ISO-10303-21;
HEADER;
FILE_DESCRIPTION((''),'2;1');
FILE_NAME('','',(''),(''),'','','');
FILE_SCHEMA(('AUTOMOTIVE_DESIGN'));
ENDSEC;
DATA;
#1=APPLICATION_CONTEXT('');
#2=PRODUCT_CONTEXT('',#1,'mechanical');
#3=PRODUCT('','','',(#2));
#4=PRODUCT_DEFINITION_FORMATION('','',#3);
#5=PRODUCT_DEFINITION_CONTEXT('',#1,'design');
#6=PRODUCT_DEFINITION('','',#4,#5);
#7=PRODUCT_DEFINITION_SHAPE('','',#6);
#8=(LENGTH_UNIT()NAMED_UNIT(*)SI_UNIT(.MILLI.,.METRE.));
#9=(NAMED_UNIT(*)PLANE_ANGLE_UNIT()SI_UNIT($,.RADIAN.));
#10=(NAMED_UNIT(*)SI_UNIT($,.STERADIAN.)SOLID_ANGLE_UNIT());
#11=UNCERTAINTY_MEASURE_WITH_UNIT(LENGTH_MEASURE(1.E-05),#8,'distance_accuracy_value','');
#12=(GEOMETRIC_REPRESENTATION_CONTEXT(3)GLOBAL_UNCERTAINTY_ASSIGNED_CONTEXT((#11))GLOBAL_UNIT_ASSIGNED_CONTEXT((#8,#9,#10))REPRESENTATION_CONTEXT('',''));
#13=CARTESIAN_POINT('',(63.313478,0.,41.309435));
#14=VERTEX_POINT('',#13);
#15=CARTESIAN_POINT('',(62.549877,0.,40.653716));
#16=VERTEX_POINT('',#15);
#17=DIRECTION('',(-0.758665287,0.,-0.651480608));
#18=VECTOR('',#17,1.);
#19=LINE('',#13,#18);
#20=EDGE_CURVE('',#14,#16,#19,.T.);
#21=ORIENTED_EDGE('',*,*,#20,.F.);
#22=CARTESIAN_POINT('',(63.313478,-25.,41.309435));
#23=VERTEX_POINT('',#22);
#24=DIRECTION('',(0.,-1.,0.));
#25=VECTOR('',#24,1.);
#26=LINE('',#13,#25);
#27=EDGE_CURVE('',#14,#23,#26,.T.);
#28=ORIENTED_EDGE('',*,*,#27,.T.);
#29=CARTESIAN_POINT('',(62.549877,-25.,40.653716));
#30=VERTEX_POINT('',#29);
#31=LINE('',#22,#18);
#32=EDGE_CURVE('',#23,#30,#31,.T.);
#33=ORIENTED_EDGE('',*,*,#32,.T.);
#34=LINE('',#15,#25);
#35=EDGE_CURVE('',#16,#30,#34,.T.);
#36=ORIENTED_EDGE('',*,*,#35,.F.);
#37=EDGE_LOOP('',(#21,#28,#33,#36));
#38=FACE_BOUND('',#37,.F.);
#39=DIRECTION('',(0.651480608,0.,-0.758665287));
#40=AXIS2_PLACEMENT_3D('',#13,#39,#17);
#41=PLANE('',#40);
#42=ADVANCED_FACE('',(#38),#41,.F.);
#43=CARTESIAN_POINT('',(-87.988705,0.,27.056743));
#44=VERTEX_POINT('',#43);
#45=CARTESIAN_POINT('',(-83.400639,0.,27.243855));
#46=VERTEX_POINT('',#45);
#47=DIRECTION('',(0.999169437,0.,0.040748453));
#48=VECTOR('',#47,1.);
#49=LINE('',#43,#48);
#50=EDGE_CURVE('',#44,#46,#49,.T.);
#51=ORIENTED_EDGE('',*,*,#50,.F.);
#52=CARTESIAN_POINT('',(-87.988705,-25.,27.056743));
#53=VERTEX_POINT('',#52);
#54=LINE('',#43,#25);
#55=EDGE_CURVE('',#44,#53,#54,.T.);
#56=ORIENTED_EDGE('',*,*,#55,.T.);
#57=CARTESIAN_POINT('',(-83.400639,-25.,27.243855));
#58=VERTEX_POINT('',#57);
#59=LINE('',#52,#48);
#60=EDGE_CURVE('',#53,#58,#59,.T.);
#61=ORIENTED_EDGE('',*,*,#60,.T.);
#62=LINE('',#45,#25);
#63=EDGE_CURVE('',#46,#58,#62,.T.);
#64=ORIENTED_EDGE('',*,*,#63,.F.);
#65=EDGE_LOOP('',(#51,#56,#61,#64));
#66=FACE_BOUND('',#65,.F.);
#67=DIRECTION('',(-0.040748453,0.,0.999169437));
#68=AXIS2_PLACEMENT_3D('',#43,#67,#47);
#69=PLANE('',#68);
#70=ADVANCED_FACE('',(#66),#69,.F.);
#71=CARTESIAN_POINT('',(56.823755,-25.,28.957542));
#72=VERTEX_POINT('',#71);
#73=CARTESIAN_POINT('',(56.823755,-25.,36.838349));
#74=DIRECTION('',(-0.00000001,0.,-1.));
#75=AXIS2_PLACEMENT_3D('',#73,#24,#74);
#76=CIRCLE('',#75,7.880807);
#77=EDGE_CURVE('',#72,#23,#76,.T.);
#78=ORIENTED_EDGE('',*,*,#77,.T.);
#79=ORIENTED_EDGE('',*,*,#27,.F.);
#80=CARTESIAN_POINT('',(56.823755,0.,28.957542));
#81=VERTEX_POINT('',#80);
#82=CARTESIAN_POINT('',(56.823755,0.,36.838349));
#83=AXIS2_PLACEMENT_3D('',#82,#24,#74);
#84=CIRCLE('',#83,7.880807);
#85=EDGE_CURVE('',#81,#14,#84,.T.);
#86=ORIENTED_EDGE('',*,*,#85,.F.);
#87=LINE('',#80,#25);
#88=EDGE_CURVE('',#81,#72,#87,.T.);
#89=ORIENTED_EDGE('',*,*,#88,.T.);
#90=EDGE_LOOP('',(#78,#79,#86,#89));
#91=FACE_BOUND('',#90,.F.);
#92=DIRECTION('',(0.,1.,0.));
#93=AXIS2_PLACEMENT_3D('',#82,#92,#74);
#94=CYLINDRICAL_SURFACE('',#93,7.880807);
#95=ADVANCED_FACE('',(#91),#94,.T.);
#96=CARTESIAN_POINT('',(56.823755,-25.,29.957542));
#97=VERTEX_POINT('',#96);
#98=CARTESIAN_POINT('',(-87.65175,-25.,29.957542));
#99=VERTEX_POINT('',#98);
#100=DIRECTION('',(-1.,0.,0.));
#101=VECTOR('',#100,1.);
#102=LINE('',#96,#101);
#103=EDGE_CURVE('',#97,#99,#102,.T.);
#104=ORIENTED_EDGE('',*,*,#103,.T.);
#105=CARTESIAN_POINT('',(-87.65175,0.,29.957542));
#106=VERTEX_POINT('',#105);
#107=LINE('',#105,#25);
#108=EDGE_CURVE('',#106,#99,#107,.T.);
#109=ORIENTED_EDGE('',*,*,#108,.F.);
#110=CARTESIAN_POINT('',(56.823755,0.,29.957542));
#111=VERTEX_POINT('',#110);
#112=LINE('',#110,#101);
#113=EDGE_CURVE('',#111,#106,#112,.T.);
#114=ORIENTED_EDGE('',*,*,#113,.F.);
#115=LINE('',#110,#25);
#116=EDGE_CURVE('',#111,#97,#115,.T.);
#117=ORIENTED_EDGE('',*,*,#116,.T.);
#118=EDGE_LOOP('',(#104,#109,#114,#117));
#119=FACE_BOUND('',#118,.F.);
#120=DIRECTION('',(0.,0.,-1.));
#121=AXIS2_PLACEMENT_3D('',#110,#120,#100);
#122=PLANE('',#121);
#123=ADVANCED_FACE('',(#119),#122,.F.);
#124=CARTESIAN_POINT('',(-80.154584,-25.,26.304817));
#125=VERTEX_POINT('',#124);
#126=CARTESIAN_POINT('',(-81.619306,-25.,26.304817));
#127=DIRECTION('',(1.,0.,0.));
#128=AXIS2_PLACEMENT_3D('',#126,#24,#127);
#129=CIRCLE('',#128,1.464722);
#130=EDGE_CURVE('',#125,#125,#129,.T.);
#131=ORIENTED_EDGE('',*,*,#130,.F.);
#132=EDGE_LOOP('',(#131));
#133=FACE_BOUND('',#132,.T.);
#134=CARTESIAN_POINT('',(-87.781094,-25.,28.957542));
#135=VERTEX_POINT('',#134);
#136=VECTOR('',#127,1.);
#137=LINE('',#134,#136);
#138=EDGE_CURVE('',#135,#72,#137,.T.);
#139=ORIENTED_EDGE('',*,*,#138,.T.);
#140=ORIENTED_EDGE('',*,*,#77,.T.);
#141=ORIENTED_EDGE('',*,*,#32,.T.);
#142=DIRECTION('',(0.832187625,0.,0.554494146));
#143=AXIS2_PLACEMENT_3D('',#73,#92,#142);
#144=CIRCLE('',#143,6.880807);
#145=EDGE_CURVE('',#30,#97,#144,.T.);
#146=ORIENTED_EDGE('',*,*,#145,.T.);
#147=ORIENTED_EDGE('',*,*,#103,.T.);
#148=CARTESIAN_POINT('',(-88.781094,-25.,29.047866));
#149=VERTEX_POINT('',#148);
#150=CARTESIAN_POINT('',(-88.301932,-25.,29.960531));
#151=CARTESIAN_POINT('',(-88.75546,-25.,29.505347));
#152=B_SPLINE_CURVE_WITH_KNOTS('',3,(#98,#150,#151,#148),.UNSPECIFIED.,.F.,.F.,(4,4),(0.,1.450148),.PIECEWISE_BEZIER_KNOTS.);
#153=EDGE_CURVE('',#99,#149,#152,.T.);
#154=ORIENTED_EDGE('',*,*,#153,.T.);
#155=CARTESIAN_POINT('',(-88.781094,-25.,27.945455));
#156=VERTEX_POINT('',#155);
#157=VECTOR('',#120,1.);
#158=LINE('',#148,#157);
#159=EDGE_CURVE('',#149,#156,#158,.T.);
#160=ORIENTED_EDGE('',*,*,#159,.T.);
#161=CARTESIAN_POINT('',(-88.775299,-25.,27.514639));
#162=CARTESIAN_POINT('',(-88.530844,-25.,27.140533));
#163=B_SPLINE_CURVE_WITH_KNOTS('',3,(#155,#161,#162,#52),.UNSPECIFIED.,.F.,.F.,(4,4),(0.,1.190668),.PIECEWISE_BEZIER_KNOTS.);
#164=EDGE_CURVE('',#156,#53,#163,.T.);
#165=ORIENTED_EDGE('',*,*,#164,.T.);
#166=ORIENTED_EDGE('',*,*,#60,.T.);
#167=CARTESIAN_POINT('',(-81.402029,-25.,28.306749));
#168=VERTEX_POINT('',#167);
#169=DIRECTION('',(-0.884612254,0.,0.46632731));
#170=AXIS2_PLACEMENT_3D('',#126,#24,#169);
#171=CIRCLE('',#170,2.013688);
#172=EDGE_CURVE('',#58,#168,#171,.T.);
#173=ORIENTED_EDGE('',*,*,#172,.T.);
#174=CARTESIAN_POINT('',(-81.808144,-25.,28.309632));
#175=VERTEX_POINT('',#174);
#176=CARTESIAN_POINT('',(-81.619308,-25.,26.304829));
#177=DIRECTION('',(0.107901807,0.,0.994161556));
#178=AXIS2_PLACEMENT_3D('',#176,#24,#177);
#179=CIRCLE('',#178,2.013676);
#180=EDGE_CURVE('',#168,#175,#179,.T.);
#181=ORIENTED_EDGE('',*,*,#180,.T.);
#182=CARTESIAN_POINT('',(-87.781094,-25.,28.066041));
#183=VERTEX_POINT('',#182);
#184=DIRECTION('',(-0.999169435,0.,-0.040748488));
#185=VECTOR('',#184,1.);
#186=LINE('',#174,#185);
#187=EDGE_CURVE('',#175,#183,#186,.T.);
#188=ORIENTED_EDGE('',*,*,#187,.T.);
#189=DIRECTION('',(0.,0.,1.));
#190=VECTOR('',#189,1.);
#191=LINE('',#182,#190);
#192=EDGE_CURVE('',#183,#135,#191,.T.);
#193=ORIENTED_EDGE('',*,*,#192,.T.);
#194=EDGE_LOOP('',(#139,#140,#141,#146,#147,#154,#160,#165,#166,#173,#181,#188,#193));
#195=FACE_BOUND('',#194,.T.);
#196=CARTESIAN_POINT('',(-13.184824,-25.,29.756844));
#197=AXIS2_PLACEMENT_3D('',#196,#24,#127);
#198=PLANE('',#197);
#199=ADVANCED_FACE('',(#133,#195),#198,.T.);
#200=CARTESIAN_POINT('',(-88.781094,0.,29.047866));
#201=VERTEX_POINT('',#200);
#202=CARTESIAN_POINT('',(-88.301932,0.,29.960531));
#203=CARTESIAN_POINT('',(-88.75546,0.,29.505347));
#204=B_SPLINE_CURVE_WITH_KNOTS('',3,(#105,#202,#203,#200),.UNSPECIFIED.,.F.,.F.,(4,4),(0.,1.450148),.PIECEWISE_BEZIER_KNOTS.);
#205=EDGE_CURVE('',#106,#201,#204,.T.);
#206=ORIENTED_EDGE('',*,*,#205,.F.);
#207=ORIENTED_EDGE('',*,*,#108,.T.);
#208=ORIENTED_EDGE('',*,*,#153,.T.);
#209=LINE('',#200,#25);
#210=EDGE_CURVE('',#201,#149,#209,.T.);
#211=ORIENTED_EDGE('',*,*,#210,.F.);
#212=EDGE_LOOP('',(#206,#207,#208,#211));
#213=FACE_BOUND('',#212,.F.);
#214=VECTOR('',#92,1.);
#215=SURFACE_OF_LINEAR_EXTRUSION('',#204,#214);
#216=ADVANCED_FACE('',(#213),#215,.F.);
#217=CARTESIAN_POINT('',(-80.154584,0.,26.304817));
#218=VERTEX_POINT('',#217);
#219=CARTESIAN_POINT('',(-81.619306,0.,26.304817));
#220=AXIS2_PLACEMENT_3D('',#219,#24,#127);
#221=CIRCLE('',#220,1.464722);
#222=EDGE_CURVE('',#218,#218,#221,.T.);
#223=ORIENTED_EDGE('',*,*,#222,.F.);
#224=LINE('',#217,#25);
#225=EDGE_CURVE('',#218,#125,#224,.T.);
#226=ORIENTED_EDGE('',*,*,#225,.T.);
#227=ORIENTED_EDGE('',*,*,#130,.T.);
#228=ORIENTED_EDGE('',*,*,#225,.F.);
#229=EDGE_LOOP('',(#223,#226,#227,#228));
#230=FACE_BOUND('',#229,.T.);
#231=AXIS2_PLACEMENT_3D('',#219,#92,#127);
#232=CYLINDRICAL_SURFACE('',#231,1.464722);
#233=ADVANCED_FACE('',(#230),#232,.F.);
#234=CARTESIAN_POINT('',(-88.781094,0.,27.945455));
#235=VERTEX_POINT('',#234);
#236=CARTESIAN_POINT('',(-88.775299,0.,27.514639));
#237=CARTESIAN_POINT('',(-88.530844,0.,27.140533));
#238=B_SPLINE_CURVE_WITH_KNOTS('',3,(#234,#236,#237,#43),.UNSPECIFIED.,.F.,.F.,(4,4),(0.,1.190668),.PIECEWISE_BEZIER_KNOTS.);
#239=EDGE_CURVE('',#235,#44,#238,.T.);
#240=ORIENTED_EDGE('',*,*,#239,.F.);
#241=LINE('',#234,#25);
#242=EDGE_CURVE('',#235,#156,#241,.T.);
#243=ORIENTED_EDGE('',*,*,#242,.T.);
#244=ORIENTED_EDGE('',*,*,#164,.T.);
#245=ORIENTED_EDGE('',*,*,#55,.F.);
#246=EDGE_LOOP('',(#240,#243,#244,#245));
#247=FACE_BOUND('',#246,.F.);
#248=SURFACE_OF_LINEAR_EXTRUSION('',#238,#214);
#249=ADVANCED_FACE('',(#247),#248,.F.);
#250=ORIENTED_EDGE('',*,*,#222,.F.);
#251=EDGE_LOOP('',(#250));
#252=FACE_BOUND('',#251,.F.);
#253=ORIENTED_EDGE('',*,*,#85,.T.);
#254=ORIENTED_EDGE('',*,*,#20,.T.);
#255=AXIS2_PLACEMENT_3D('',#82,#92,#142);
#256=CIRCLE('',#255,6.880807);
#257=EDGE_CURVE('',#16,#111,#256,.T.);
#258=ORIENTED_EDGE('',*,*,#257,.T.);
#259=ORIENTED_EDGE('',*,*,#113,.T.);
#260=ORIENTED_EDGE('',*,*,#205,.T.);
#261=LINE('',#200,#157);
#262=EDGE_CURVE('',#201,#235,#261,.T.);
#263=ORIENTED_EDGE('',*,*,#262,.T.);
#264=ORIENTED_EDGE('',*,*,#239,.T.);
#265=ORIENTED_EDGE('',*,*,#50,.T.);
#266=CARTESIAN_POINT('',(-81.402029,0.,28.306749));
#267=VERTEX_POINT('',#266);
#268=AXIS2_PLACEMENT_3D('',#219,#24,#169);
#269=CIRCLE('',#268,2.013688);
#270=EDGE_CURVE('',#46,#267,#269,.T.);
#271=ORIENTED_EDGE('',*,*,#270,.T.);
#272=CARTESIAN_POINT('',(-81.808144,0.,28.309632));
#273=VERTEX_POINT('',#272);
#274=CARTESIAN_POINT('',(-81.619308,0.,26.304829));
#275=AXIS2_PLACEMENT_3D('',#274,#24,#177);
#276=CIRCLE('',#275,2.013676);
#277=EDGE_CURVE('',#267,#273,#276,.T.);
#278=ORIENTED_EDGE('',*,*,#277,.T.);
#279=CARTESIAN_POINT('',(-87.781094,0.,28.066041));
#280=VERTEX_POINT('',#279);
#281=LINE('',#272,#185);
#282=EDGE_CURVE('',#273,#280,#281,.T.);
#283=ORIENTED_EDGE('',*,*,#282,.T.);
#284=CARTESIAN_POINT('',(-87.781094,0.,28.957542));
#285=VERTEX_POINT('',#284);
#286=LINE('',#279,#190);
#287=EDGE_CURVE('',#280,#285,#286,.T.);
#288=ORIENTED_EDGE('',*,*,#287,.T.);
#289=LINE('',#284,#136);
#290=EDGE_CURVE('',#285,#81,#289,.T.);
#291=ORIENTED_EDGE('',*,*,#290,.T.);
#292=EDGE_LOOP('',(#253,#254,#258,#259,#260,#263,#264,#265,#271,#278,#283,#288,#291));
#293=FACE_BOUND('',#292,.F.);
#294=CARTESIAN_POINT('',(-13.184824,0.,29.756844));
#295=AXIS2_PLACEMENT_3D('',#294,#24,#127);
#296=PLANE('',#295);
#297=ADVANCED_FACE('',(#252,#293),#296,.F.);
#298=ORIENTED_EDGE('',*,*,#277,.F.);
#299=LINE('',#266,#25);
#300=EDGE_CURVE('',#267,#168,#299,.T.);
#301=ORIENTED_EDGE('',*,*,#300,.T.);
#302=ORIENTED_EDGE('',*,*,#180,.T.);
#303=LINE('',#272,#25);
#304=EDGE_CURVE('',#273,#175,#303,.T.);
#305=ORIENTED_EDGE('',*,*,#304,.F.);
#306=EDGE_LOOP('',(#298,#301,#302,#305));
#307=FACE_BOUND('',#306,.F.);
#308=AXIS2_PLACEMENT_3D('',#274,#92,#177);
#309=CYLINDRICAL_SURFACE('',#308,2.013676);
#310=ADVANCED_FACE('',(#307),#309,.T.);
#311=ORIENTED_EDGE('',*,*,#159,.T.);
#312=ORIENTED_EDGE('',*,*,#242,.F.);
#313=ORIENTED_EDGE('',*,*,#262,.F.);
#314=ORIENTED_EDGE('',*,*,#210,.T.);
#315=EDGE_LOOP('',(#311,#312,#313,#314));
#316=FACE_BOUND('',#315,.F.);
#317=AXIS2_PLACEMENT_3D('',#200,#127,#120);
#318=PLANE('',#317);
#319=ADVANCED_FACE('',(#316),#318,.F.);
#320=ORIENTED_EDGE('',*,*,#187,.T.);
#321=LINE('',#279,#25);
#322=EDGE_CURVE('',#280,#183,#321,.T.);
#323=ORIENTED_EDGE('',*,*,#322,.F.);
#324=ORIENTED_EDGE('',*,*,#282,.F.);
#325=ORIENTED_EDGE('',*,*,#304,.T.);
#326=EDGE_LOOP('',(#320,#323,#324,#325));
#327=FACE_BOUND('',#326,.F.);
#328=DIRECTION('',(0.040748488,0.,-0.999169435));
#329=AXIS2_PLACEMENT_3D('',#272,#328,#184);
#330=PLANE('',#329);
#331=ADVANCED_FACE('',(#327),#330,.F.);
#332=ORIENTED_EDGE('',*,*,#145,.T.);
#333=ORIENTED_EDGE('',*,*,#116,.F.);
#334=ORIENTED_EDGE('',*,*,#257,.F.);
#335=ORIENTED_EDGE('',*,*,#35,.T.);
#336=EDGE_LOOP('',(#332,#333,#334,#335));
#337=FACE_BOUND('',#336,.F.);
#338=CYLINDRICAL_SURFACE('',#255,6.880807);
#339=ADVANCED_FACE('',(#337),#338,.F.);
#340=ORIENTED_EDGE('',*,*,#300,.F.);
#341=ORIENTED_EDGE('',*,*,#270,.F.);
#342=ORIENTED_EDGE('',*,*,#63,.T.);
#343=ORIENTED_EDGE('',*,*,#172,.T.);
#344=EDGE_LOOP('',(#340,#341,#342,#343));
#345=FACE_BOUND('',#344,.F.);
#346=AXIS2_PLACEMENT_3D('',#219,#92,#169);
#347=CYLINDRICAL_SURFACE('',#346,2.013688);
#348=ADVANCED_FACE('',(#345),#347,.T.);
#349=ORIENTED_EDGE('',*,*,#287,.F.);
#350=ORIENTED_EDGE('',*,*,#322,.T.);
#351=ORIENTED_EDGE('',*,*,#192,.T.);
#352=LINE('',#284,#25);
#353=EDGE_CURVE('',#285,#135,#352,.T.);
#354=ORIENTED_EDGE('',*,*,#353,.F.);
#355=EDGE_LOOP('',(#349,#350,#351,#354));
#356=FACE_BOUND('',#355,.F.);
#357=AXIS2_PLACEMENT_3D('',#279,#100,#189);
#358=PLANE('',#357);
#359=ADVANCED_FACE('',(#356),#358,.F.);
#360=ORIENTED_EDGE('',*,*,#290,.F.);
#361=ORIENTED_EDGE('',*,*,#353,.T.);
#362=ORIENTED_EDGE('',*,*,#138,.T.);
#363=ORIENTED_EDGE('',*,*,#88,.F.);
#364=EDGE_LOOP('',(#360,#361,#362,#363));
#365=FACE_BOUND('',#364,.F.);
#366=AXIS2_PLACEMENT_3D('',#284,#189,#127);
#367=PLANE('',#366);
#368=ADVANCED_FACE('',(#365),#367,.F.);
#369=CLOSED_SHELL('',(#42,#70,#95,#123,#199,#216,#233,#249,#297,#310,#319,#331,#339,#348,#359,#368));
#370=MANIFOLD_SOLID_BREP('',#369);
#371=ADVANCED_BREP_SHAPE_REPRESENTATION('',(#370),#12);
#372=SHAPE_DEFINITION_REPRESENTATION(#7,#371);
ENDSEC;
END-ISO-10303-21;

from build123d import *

# Parameters (mm, degrees)
F0_R     = 1.464722
F1_DEPTH = 25


with BuildPart() as f1:
    # F0 (on Front) → F1 (new body)
    with BuildSketch(Plane.XZ):
        with BuildLine():
            Line((56.823755, 29.957542), (-87.65175, 29.957542))
            add(Edge.make_bspline(
                [(-87.65175, 29.957542), (-88.301932, 29.960531), (-88.75546, 29.505347), (-88.781094, 29.047866)],
                knots=[0, 0, 0, 0, 1.450148, 1.450148, 1.450148, 1.450148], degree=3))
            Line((-88.781094, 29.047866), (-88.781094, 27.945455))
            add(Edge.make_bspline(
                [(-88.781094, 27.945455), (-88.775299, 27.514639), (-88.530844, 27.140533), (-87.988705, 27.056743)],
                knots=[0, 0, 0, 0, 1.190668, 1.190668, 1.190668, 1.190668], degree=3))
            Line((-87.988705, 27.056743), (-83.400639, 27.243855))
            ThreePointArc((-83.400639, 27.243855), (-80.673788, 24.526915), (-81.402029, 28.306749))
            ThreePointArc((-81.402029, 28.306749), (-81.605014, 28.318455), (-81.808144, 28.309632))
            Line((-81.808144, 28.309632), (-87.781094, 28.066041))
            Line((-87.781094, 28.066041), (-87.781094, 28.957542))
            Line((-87.781094, 28.957542), (56.823755, 28.957542))
            ThreePointArc((56.823755, 28.957542), (63.800247, 33.172878), (63.313478, 41.309435))
            Line((63.313478, 41.309435), (62.549877, 40.653716))
            ThreePointArc((62.549877, 40.653716), (62.889985, 33.590834), (56.823755, 29.957542))
        make_face()
        with Locations((-81.619306, 26.304817)):
            Circle(F0_R, mode=Mode.SUBTRACT)
    extrude(amount=F1_DEPTH)


solid = f1.part
